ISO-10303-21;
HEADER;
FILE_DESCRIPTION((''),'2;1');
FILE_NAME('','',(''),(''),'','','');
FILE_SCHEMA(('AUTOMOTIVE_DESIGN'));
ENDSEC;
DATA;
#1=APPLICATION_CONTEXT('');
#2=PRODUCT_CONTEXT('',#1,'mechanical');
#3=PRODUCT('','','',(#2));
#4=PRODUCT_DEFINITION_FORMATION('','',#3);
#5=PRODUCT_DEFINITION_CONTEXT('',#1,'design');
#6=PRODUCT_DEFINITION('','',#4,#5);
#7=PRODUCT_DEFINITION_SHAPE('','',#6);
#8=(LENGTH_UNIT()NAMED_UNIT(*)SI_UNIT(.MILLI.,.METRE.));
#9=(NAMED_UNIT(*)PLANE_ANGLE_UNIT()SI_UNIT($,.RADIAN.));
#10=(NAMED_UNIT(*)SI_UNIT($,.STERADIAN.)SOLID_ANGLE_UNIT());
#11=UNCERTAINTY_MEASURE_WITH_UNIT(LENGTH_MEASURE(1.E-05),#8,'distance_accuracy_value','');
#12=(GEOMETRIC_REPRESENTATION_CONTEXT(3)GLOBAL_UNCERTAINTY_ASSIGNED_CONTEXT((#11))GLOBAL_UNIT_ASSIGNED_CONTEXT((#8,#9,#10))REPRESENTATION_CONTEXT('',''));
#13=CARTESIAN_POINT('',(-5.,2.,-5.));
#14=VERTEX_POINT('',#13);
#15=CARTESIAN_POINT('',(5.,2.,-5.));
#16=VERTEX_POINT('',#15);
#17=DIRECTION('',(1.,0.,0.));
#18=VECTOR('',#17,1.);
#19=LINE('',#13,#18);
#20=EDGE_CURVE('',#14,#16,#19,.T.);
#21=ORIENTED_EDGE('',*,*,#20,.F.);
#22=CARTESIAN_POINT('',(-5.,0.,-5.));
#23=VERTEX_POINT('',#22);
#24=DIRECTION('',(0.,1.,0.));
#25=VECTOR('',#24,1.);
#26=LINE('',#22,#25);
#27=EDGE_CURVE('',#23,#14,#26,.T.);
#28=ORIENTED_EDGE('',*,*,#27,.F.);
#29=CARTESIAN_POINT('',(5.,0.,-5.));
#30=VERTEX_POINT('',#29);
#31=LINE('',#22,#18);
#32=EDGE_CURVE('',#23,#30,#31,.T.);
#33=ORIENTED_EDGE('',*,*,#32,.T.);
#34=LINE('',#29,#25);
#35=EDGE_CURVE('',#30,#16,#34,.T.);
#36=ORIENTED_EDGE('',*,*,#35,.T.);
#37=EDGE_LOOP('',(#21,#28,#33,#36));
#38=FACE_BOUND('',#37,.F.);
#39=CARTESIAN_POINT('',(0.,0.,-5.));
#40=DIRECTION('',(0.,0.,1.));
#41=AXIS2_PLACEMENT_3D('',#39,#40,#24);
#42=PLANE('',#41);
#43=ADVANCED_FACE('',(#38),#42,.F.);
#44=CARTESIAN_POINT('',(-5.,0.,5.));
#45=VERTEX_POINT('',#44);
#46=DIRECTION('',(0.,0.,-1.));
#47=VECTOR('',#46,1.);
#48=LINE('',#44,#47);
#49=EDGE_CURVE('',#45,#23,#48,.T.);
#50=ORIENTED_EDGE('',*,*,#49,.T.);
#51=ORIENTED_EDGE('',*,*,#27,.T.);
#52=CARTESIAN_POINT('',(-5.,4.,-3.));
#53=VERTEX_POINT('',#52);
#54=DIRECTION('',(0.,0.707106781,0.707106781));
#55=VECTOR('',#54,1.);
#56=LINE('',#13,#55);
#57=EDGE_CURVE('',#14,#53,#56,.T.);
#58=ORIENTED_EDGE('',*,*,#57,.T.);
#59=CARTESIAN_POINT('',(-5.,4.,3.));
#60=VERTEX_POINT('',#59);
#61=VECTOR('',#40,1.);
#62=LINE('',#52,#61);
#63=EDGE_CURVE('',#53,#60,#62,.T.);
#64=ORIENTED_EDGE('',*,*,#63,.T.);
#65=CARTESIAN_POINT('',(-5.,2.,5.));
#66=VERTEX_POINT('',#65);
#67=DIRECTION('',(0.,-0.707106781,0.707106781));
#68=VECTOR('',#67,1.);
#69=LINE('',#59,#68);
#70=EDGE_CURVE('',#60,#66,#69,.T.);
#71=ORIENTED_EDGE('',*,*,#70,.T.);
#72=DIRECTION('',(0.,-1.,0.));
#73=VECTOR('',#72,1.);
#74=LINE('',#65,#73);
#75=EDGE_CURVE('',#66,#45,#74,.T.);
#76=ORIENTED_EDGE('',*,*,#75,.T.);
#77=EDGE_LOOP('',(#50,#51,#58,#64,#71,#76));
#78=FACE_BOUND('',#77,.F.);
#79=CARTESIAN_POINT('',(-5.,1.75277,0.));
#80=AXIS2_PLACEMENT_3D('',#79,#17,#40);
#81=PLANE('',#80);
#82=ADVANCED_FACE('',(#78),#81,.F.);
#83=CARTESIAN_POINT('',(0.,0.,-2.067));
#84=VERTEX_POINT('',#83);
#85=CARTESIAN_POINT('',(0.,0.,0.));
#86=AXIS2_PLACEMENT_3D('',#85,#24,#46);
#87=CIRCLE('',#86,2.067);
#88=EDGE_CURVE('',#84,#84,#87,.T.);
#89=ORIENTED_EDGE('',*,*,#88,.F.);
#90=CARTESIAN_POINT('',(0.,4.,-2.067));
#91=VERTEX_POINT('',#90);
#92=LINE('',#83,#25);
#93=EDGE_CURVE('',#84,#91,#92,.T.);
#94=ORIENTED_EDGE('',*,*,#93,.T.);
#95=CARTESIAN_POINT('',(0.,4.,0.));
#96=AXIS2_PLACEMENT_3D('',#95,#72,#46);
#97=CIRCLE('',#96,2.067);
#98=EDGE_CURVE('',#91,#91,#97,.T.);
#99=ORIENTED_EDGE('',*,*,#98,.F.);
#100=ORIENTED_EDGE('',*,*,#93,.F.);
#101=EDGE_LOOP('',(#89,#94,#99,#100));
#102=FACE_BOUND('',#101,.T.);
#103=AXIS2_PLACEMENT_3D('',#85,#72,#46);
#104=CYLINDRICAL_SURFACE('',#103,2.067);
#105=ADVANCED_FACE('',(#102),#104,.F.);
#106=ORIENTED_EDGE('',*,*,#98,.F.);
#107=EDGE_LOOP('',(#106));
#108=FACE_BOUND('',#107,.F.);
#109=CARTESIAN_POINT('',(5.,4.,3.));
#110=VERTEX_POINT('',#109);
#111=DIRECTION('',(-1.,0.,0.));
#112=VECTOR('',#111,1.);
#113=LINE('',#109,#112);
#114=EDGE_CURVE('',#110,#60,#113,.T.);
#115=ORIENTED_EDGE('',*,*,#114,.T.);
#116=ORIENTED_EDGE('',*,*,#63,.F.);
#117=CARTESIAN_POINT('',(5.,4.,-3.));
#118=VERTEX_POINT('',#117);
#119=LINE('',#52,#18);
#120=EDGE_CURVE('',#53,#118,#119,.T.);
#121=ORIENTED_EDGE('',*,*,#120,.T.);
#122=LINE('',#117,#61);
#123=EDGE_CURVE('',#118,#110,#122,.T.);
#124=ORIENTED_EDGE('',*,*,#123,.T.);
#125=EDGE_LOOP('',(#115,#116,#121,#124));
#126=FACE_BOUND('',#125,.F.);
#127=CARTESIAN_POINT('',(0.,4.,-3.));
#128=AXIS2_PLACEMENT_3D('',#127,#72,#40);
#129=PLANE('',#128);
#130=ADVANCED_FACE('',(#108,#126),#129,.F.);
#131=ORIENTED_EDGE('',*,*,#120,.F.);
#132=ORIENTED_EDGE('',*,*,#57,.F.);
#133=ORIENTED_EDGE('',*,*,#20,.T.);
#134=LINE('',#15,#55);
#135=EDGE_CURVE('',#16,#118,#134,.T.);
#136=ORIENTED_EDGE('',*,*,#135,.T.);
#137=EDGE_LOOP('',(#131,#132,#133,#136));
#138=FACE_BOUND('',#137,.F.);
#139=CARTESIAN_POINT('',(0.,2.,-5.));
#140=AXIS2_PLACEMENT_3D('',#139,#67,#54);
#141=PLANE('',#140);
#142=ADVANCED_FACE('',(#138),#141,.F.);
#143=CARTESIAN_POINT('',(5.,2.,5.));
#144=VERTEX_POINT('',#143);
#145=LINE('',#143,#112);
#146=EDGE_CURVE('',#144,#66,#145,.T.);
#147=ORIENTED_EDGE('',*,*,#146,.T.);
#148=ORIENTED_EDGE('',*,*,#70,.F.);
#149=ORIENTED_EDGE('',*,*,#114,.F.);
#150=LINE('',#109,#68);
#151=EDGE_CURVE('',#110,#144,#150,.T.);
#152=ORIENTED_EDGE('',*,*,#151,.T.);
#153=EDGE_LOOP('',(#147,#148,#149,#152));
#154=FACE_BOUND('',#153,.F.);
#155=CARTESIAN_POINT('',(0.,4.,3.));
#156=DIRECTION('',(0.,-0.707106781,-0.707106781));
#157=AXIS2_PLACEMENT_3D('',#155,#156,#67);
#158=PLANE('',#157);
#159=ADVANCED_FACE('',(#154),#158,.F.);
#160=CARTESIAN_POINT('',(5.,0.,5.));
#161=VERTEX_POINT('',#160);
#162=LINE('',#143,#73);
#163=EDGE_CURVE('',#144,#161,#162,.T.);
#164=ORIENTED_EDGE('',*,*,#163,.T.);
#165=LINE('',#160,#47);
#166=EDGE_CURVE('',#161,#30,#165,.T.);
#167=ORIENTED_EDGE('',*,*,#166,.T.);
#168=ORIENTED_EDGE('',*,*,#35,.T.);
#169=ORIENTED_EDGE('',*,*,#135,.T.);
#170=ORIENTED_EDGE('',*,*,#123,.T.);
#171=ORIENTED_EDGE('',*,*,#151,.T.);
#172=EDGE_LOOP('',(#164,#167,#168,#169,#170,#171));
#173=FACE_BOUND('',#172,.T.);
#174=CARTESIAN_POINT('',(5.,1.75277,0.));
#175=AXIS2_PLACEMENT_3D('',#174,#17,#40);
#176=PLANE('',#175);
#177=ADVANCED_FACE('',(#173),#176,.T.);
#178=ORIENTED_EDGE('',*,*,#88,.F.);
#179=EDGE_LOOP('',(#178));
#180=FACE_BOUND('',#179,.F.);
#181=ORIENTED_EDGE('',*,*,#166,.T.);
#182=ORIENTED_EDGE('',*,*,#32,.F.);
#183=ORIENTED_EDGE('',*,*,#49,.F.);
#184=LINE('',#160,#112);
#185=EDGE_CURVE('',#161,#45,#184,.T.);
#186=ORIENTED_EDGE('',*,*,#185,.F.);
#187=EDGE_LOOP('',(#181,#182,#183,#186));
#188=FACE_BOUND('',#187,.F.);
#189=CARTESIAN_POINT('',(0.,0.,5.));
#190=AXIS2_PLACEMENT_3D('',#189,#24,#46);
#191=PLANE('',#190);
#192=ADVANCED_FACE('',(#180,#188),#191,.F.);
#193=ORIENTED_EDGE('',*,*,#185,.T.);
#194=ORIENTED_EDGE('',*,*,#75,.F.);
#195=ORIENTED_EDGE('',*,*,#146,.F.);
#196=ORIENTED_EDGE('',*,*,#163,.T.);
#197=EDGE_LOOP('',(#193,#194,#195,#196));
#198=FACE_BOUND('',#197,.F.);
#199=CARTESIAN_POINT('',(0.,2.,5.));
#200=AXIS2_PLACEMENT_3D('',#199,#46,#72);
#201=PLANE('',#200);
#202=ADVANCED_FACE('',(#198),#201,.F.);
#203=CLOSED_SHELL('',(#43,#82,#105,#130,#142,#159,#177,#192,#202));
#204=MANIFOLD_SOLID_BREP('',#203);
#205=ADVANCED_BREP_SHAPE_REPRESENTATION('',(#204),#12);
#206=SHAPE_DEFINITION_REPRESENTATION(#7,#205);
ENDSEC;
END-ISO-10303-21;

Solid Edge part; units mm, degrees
sketch "Sketch1" plane through (0, 0, 0) normal (1, 0, 0) x (0, 1, 0)
  line L0 (0, 5) -> (0, -5)
  line L1 (0, -5) -> (2, -5)
  line L2 (2, -5) -> (4, -3)
  line L3 (4, -3) -> (4, 3)
  line L4 (4, 3) -> (2, 5)
  line L5 (2, 5) -> (0, 5)
  dimension "D1" = 10
  dimension "D2" = 4
  dimension "D3" = 2
extrude "Protrusion1" add sketch "Sketch1" along normal mid plane 10
hole "Hole_1" at (0, 0, 0) direction (0, 1, 0) diameter 4.134 end up to next
properties material "Stainless steel"
